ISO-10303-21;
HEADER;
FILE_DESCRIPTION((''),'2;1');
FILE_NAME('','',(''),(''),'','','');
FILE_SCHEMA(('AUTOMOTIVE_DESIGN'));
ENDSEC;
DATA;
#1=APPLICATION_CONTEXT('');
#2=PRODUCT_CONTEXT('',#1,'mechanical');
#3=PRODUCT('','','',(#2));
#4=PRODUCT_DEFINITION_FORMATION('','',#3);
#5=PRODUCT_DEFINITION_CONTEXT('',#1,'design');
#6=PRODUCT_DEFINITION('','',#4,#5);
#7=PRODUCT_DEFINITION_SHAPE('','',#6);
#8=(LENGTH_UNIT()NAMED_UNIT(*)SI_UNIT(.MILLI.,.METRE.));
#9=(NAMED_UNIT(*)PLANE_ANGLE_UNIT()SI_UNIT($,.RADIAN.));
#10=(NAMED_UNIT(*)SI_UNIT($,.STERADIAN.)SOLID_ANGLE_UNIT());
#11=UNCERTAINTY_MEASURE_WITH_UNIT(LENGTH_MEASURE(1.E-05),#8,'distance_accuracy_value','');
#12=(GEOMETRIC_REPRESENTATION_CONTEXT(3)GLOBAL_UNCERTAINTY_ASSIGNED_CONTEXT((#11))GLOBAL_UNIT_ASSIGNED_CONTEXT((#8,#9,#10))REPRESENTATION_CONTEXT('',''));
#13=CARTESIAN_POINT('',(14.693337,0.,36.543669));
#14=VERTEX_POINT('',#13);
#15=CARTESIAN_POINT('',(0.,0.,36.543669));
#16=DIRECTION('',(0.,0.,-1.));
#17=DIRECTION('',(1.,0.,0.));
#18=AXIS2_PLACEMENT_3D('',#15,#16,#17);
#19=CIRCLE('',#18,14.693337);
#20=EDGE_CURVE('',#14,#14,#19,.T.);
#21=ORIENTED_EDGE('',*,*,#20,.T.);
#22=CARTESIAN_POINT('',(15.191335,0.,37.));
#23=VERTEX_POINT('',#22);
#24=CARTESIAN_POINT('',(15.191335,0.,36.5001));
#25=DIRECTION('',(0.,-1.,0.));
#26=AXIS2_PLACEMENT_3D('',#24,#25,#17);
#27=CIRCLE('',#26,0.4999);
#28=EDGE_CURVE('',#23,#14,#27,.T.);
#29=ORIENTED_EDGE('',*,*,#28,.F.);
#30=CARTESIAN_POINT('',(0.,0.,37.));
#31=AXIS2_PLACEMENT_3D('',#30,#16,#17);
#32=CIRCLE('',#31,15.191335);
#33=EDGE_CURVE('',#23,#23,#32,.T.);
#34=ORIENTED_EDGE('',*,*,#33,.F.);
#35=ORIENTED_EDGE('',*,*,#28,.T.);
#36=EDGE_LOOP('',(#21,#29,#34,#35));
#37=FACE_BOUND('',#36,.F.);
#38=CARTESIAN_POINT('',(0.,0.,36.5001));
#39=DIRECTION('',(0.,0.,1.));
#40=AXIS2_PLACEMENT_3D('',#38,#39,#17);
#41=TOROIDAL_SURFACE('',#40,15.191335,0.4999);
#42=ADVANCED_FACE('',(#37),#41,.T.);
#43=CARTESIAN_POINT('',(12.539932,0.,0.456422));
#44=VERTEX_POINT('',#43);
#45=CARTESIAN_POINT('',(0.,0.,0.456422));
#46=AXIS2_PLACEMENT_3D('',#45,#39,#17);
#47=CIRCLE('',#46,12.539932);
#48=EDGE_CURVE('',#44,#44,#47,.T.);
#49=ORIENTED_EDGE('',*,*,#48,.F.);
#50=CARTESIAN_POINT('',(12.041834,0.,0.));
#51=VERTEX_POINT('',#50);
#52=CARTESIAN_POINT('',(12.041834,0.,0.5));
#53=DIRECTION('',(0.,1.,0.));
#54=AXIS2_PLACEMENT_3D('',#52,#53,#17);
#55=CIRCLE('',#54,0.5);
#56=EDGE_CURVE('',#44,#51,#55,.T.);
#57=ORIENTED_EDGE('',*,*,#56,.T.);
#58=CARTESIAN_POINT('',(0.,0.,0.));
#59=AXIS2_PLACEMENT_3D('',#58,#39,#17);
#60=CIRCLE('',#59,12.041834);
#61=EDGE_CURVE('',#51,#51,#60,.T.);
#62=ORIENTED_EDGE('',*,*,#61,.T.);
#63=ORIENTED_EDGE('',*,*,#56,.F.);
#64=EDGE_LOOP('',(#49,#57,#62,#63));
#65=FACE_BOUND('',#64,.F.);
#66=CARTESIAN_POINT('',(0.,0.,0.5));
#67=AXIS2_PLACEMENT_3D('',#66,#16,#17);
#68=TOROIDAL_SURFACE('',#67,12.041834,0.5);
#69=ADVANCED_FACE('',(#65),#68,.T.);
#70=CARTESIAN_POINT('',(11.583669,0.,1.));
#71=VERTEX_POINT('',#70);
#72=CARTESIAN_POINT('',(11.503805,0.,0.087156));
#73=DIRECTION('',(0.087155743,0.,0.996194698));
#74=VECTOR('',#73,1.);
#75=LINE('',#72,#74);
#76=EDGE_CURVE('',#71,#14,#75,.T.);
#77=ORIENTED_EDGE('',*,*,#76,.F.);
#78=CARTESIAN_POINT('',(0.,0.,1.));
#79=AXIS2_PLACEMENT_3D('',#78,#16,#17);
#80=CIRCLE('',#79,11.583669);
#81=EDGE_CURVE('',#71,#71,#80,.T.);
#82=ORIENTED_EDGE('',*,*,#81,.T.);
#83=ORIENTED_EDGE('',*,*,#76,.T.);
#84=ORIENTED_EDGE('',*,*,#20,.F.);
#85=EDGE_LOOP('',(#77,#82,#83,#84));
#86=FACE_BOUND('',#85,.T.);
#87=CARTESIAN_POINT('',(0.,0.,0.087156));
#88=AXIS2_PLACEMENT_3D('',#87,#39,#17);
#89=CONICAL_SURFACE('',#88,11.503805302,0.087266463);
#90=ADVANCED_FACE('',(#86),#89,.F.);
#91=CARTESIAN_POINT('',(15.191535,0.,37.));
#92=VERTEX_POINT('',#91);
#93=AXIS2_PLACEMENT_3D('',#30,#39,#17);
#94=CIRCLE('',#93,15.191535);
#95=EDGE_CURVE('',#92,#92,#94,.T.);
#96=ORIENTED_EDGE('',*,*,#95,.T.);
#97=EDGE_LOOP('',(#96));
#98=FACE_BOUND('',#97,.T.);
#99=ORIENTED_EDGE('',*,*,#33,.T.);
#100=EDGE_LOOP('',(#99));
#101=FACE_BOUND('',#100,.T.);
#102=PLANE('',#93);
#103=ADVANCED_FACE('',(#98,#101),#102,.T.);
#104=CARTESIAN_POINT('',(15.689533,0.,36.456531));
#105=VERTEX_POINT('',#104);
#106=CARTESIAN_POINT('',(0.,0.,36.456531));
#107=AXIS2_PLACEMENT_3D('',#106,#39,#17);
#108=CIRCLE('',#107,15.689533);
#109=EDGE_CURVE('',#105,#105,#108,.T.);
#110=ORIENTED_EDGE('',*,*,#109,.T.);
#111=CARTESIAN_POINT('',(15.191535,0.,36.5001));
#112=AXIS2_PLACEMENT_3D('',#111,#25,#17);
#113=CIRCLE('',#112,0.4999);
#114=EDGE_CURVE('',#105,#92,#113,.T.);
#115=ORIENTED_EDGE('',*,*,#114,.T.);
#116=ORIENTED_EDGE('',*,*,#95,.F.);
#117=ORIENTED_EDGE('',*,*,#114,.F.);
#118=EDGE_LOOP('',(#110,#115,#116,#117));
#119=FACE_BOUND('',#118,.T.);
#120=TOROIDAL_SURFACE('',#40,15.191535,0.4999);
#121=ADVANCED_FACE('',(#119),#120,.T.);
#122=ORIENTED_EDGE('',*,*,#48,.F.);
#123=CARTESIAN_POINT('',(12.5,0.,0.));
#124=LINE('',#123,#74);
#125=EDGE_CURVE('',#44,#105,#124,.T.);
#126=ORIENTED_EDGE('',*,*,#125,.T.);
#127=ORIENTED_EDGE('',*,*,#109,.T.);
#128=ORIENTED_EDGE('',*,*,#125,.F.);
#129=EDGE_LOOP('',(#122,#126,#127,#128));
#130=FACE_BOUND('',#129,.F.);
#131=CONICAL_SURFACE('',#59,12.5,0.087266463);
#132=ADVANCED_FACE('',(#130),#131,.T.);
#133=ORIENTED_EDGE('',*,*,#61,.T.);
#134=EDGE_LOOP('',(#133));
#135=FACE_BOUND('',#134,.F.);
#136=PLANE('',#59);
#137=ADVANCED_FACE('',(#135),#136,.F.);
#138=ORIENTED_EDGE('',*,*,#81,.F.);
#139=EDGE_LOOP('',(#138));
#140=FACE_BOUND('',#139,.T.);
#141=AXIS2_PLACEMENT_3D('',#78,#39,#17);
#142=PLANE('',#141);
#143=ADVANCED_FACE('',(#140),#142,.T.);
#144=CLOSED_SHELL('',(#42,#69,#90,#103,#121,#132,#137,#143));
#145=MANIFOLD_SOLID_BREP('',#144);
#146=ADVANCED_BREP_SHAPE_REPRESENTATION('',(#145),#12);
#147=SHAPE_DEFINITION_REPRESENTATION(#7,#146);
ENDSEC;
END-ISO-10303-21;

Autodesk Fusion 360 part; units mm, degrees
sketch "Sketch1" plane through (0, 0, 0) normal (0, 0, 1) x (1, 0, 0)
  circle A0 centre (0, 0) radius 12.5
  dimension "d1" = 25
extrude "Extrude1" add sketch "Sketch1" along normal blind 37 draft 5
shell "Shell1" thickness 1 removed faces 1 at (-7.81, 2.0449, 37)
fillet "Fillet1" radius 0.5 2 edges at (-14.6721, 5.6908, 37) (-13.7362, 5.3278, 37)
fillet "Fillet2" radius 0.5 1 edges at (-11.6541, -4.5202, 0)
